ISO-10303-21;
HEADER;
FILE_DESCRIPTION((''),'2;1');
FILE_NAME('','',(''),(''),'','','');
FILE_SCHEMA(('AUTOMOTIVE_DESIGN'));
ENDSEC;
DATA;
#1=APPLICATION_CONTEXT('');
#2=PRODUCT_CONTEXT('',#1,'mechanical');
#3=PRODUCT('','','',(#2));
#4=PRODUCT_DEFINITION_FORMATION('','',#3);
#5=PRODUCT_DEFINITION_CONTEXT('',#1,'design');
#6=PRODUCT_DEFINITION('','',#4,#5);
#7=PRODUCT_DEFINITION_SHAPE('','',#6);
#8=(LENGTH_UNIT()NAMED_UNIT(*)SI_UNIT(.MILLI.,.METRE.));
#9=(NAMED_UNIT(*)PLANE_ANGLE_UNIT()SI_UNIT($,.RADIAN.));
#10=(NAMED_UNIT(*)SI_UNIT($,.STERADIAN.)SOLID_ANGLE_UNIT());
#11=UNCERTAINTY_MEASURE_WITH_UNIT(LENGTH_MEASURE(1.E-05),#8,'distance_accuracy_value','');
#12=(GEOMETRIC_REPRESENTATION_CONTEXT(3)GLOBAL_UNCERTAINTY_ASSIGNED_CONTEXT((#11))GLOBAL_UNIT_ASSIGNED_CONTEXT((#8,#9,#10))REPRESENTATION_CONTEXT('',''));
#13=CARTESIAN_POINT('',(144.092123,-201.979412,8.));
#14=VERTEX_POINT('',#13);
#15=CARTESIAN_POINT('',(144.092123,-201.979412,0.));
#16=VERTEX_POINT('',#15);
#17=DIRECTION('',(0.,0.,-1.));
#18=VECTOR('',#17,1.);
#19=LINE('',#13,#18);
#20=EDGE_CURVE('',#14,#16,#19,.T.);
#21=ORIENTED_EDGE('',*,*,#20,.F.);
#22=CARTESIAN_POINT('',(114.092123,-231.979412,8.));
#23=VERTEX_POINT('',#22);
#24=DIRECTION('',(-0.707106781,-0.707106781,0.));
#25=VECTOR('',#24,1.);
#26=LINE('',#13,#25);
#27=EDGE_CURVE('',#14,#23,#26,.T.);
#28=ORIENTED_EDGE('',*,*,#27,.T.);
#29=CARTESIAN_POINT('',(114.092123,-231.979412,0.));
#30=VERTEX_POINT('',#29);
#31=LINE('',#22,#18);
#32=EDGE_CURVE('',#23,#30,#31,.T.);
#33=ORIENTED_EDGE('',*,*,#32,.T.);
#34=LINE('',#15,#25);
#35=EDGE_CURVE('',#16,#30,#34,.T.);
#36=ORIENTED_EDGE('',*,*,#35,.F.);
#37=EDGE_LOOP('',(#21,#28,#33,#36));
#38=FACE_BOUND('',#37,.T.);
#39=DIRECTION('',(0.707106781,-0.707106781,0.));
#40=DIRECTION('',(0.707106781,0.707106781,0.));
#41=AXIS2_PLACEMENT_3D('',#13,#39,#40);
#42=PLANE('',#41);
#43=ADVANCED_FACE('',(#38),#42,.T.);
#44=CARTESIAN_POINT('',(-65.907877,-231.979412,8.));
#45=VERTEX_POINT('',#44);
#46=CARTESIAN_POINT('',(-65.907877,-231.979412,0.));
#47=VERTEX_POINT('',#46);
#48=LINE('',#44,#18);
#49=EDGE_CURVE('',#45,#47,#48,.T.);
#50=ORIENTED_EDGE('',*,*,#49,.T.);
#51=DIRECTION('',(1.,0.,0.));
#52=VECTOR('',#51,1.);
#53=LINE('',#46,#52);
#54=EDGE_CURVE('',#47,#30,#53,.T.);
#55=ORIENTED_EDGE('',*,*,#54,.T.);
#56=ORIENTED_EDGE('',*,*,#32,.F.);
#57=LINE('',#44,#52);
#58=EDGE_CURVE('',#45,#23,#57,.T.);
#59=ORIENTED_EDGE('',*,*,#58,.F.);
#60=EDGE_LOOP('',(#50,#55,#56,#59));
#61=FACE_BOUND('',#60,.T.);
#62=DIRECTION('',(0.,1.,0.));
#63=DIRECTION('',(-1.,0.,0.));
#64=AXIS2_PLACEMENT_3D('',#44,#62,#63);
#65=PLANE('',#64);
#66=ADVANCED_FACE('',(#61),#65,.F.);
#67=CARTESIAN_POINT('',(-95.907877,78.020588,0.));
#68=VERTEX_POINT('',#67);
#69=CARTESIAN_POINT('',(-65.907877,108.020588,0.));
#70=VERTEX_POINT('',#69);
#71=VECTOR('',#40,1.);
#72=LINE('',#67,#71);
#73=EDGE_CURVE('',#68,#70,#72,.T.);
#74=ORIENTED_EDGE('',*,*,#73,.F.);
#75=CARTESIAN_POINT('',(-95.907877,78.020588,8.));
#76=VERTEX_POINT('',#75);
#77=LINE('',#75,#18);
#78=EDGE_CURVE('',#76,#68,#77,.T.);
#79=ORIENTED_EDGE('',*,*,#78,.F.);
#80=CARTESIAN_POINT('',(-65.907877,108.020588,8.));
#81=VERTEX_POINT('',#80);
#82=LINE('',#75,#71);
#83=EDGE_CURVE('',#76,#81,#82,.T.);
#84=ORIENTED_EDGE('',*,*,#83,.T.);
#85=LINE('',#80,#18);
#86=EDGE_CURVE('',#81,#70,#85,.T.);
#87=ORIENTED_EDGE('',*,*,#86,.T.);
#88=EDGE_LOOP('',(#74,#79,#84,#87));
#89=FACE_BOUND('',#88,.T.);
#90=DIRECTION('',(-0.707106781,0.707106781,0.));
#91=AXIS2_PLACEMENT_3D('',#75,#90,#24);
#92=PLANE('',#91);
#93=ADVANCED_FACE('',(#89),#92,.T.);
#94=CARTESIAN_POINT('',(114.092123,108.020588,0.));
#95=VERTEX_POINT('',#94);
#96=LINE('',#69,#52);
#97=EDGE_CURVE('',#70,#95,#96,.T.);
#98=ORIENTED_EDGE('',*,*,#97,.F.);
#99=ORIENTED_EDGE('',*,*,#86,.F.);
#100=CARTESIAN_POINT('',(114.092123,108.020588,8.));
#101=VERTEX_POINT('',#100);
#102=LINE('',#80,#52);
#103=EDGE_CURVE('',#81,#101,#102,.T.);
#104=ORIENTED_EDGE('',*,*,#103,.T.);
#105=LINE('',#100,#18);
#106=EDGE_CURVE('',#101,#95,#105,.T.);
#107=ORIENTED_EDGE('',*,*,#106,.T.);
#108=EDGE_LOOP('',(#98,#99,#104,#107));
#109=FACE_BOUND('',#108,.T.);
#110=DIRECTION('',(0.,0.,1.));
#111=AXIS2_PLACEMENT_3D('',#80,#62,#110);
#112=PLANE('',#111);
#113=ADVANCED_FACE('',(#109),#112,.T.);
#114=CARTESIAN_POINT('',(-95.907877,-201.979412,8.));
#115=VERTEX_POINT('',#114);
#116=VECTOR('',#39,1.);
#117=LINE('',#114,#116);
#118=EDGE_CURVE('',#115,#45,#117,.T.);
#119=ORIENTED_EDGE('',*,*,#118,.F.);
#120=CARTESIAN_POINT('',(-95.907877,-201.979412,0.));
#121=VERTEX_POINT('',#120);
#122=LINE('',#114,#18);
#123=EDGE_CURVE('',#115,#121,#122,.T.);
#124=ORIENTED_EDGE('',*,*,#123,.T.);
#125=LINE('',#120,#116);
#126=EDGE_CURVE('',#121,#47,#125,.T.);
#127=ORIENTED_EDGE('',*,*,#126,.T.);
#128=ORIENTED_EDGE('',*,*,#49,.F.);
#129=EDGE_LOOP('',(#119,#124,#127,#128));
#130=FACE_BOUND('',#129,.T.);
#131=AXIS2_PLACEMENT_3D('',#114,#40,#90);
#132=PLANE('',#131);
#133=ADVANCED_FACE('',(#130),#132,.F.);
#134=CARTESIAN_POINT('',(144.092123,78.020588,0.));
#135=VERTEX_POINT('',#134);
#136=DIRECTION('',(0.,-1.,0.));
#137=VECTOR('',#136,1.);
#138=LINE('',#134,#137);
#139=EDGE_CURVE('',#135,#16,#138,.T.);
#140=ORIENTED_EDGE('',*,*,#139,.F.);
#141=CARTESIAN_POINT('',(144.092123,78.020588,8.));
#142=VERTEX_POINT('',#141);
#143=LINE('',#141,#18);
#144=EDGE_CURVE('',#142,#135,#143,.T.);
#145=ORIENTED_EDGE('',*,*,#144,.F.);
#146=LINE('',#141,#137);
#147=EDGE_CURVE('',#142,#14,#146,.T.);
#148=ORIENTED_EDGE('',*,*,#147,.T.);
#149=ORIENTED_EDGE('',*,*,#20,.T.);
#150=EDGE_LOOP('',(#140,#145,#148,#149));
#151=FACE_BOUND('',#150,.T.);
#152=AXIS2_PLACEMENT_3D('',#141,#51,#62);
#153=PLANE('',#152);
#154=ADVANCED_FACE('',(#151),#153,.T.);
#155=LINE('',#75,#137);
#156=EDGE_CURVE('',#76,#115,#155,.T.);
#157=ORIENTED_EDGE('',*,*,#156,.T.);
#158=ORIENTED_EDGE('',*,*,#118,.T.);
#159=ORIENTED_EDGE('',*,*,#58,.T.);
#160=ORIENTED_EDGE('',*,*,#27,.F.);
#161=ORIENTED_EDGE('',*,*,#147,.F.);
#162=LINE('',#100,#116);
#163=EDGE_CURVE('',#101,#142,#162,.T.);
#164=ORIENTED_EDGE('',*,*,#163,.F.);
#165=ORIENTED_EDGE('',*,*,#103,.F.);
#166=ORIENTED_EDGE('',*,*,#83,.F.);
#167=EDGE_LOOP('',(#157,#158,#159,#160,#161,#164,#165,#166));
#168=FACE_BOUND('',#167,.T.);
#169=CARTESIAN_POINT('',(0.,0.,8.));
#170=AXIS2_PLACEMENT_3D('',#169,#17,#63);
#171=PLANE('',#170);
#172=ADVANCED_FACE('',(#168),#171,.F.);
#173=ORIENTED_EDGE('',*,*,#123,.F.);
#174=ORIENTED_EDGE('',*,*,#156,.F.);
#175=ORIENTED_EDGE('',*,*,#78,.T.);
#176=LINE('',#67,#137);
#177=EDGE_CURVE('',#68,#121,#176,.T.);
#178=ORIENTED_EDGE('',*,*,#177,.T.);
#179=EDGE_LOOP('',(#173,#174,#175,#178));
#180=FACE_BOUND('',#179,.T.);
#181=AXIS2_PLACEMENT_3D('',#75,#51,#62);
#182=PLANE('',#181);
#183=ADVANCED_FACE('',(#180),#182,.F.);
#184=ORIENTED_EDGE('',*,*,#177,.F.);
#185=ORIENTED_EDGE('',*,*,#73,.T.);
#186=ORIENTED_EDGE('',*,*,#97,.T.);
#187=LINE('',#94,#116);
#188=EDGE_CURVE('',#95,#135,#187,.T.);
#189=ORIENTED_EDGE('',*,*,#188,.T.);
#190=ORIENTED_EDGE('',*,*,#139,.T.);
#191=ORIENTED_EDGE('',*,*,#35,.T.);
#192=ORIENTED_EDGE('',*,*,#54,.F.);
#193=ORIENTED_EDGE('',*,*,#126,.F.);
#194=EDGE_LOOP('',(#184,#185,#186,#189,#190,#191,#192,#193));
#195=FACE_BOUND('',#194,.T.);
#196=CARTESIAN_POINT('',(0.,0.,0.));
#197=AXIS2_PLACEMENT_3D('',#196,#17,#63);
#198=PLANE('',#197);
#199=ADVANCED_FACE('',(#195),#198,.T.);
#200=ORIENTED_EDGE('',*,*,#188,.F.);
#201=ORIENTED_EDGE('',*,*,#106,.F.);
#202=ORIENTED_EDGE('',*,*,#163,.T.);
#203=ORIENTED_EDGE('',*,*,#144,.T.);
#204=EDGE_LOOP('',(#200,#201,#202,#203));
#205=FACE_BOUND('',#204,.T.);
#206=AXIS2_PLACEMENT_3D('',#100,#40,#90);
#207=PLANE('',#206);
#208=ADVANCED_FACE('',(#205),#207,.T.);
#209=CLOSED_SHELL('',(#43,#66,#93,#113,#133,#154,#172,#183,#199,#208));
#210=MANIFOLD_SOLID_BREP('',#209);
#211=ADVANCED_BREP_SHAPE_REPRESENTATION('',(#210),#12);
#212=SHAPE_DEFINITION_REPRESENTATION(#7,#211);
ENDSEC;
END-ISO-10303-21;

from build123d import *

# Parameters (mm, degrees)
EXTRUDE_1_DEPTH = 8


with BuildPart() as part:
    # 草图1 → 凸台-拉伸1 (new body)
    with BuildSketch(Plane.XY):
        Polygon((-95.907877066, 78.020587946), (-65.907877066, 108.020587946), (114.092122934, 108.020587946), (144.092122934, 78.020587946), (144.092122934, -201.979412054), (114.092122934, -231.979412054), (-65.907877066, -231.979412054), (-95.907877066, -201.979412054), align=None)
    extrude(amount=EXTRUDE_1_DEPTH)


solid = part.part
